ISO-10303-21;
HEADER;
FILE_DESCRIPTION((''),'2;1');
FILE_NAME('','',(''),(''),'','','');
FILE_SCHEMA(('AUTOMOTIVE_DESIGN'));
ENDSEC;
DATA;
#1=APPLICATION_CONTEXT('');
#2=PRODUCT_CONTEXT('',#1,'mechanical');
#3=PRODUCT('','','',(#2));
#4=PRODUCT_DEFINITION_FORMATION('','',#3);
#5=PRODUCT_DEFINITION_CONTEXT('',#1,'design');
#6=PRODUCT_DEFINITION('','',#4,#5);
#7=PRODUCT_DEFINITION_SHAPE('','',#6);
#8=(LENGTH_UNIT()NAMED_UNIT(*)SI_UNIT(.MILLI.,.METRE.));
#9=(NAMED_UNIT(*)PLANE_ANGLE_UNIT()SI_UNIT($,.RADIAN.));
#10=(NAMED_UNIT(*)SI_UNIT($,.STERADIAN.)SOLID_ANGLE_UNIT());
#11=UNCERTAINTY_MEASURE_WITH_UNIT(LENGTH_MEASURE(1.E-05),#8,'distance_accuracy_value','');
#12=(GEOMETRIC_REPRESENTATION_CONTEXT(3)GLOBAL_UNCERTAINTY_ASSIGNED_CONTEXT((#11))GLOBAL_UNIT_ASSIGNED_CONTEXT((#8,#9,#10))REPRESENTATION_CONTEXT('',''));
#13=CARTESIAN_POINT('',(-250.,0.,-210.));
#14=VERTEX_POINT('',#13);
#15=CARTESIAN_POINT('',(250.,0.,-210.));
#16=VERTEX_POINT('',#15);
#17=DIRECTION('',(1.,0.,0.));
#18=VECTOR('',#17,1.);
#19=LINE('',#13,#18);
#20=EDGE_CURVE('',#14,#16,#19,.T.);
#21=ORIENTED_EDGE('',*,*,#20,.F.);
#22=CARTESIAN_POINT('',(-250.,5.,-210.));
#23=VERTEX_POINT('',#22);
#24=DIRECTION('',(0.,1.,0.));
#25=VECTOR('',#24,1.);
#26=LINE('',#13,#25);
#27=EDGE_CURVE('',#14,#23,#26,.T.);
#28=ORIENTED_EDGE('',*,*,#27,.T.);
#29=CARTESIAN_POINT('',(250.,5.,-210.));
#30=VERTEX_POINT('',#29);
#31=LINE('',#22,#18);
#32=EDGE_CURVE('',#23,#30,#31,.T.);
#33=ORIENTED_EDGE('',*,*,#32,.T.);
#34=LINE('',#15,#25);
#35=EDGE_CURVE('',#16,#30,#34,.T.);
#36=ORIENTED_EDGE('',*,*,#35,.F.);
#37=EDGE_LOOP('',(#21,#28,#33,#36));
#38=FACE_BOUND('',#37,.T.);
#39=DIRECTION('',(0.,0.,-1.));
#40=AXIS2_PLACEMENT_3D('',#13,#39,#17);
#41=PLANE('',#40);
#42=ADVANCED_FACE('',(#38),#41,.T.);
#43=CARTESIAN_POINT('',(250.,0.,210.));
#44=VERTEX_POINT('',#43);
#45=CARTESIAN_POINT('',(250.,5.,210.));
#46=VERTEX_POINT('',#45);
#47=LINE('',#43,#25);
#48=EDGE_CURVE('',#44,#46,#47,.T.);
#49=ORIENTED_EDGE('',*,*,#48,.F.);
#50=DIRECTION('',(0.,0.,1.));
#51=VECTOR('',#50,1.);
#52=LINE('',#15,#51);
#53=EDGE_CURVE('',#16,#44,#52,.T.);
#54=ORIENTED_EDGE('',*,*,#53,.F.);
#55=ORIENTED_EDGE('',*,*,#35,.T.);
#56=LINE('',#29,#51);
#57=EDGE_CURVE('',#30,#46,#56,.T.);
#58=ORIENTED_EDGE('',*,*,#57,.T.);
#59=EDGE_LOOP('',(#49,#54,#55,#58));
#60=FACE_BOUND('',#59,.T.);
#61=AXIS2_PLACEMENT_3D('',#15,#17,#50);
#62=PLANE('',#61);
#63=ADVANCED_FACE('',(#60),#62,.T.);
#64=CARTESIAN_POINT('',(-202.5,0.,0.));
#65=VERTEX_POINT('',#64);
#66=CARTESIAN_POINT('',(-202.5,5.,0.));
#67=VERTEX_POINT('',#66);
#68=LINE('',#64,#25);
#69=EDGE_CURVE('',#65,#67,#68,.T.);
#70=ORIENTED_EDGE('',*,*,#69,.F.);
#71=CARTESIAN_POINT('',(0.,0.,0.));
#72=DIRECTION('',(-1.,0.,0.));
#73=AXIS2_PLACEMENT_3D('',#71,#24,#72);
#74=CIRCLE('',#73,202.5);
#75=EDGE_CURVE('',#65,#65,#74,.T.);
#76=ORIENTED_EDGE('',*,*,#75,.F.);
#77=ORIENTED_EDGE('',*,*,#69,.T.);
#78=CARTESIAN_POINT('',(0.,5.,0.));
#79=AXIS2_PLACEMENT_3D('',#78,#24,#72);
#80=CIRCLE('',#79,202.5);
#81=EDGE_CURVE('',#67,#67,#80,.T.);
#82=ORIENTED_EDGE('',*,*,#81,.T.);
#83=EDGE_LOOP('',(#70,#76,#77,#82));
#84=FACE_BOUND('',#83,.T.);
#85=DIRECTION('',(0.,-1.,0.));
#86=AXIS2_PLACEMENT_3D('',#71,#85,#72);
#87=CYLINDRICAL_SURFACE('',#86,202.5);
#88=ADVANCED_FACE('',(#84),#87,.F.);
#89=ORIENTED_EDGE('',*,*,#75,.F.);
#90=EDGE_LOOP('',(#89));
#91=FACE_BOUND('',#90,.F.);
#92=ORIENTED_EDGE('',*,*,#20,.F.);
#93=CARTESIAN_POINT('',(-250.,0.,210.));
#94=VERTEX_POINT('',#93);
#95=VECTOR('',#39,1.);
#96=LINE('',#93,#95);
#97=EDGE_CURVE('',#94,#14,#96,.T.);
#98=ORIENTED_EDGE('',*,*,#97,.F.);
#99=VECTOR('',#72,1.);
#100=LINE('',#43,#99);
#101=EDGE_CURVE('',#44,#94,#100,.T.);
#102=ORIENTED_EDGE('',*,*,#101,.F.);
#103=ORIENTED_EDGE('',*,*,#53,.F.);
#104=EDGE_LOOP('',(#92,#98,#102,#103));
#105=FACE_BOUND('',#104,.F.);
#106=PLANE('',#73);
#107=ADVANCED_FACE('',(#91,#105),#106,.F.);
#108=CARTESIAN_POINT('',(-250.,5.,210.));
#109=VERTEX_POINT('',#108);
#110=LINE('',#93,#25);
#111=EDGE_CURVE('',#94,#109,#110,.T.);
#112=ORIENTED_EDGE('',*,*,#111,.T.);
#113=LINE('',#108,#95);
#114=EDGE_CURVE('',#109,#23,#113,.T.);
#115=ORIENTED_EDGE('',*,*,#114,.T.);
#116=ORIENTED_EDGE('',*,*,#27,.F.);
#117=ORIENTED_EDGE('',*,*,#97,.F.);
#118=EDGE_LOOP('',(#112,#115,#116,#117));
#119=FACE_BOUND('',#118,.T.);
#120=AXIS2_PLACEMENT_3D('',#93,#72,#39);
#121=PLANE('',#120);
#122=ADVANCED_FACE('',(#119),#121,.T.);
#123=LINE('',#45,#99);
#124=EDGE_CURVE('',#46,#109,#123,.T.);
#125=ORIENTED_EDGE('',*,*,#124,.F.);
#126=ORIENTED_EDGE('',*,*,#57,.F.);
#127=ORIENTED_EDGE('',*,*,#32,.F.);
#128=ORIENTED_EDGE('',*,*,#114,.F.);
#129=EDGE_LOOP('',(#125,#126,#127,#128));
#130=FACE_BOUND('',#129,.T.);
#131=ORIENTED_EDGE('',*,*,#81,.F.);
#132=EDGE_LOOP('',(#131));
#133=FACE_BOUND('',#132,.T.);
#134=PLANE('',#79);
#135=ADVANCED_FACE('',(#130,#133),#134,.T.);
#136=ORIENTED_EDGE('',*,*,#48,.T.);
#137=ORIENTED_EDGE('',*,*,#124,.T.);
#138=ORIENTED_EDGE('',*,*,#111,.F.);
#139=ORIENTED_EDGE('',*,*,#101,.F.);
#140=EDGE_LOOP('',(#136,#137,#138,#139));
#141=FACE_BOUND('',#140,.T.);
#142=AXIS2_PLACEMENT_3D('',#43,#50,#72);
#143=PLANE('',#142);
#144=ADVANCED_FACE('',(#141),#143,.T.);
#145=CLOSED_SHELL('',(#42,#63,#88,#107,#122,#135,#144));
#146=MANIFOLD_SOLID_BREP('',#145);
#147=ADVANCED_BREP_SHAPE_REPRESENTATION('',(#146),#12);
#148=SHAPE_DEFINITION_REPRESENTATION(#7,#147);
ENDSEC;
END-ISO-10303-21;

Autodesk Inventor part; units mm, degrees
ref_plane "YZ Plane" through (0, 0, 0) normal (1, 0, 0) x (0, 1, 0)
ref_plane "XZ Plane" through (0, 0, 0) normal (0, 1, 0) x (-1, 0, 0)
ref_plane "XY Plane" through (0, 0, 0) normal (0, 0, 1) x (1, 0, 0)
sketch "Skizze1" plane through (0, 0, 0) normal (0, 1, 0) x (-1, 0, 0)
  line L0 (-250, 210) -> (250, 210)
  line L1 (250, 210) -> (250, -210)
  line L2 (250, -210) -> (-250, -210)
  line L3 (-250, -210) -> (-250, 210)
  line L4 (-250, 210) -> (250, -210) construction
  line L5 (250, 210) -> (-250, -210) construction
  circle A0 centre (0, 0) radius 202.5
  dimension "d0" = 500
  dimension "d1" = 420
  dimension "d2" = 405
extrude "Extrusion1" add sketch "Skizze1" along normal blind 5
properties part number "Boden_drehscheibe" material "Holz (Birke)"
